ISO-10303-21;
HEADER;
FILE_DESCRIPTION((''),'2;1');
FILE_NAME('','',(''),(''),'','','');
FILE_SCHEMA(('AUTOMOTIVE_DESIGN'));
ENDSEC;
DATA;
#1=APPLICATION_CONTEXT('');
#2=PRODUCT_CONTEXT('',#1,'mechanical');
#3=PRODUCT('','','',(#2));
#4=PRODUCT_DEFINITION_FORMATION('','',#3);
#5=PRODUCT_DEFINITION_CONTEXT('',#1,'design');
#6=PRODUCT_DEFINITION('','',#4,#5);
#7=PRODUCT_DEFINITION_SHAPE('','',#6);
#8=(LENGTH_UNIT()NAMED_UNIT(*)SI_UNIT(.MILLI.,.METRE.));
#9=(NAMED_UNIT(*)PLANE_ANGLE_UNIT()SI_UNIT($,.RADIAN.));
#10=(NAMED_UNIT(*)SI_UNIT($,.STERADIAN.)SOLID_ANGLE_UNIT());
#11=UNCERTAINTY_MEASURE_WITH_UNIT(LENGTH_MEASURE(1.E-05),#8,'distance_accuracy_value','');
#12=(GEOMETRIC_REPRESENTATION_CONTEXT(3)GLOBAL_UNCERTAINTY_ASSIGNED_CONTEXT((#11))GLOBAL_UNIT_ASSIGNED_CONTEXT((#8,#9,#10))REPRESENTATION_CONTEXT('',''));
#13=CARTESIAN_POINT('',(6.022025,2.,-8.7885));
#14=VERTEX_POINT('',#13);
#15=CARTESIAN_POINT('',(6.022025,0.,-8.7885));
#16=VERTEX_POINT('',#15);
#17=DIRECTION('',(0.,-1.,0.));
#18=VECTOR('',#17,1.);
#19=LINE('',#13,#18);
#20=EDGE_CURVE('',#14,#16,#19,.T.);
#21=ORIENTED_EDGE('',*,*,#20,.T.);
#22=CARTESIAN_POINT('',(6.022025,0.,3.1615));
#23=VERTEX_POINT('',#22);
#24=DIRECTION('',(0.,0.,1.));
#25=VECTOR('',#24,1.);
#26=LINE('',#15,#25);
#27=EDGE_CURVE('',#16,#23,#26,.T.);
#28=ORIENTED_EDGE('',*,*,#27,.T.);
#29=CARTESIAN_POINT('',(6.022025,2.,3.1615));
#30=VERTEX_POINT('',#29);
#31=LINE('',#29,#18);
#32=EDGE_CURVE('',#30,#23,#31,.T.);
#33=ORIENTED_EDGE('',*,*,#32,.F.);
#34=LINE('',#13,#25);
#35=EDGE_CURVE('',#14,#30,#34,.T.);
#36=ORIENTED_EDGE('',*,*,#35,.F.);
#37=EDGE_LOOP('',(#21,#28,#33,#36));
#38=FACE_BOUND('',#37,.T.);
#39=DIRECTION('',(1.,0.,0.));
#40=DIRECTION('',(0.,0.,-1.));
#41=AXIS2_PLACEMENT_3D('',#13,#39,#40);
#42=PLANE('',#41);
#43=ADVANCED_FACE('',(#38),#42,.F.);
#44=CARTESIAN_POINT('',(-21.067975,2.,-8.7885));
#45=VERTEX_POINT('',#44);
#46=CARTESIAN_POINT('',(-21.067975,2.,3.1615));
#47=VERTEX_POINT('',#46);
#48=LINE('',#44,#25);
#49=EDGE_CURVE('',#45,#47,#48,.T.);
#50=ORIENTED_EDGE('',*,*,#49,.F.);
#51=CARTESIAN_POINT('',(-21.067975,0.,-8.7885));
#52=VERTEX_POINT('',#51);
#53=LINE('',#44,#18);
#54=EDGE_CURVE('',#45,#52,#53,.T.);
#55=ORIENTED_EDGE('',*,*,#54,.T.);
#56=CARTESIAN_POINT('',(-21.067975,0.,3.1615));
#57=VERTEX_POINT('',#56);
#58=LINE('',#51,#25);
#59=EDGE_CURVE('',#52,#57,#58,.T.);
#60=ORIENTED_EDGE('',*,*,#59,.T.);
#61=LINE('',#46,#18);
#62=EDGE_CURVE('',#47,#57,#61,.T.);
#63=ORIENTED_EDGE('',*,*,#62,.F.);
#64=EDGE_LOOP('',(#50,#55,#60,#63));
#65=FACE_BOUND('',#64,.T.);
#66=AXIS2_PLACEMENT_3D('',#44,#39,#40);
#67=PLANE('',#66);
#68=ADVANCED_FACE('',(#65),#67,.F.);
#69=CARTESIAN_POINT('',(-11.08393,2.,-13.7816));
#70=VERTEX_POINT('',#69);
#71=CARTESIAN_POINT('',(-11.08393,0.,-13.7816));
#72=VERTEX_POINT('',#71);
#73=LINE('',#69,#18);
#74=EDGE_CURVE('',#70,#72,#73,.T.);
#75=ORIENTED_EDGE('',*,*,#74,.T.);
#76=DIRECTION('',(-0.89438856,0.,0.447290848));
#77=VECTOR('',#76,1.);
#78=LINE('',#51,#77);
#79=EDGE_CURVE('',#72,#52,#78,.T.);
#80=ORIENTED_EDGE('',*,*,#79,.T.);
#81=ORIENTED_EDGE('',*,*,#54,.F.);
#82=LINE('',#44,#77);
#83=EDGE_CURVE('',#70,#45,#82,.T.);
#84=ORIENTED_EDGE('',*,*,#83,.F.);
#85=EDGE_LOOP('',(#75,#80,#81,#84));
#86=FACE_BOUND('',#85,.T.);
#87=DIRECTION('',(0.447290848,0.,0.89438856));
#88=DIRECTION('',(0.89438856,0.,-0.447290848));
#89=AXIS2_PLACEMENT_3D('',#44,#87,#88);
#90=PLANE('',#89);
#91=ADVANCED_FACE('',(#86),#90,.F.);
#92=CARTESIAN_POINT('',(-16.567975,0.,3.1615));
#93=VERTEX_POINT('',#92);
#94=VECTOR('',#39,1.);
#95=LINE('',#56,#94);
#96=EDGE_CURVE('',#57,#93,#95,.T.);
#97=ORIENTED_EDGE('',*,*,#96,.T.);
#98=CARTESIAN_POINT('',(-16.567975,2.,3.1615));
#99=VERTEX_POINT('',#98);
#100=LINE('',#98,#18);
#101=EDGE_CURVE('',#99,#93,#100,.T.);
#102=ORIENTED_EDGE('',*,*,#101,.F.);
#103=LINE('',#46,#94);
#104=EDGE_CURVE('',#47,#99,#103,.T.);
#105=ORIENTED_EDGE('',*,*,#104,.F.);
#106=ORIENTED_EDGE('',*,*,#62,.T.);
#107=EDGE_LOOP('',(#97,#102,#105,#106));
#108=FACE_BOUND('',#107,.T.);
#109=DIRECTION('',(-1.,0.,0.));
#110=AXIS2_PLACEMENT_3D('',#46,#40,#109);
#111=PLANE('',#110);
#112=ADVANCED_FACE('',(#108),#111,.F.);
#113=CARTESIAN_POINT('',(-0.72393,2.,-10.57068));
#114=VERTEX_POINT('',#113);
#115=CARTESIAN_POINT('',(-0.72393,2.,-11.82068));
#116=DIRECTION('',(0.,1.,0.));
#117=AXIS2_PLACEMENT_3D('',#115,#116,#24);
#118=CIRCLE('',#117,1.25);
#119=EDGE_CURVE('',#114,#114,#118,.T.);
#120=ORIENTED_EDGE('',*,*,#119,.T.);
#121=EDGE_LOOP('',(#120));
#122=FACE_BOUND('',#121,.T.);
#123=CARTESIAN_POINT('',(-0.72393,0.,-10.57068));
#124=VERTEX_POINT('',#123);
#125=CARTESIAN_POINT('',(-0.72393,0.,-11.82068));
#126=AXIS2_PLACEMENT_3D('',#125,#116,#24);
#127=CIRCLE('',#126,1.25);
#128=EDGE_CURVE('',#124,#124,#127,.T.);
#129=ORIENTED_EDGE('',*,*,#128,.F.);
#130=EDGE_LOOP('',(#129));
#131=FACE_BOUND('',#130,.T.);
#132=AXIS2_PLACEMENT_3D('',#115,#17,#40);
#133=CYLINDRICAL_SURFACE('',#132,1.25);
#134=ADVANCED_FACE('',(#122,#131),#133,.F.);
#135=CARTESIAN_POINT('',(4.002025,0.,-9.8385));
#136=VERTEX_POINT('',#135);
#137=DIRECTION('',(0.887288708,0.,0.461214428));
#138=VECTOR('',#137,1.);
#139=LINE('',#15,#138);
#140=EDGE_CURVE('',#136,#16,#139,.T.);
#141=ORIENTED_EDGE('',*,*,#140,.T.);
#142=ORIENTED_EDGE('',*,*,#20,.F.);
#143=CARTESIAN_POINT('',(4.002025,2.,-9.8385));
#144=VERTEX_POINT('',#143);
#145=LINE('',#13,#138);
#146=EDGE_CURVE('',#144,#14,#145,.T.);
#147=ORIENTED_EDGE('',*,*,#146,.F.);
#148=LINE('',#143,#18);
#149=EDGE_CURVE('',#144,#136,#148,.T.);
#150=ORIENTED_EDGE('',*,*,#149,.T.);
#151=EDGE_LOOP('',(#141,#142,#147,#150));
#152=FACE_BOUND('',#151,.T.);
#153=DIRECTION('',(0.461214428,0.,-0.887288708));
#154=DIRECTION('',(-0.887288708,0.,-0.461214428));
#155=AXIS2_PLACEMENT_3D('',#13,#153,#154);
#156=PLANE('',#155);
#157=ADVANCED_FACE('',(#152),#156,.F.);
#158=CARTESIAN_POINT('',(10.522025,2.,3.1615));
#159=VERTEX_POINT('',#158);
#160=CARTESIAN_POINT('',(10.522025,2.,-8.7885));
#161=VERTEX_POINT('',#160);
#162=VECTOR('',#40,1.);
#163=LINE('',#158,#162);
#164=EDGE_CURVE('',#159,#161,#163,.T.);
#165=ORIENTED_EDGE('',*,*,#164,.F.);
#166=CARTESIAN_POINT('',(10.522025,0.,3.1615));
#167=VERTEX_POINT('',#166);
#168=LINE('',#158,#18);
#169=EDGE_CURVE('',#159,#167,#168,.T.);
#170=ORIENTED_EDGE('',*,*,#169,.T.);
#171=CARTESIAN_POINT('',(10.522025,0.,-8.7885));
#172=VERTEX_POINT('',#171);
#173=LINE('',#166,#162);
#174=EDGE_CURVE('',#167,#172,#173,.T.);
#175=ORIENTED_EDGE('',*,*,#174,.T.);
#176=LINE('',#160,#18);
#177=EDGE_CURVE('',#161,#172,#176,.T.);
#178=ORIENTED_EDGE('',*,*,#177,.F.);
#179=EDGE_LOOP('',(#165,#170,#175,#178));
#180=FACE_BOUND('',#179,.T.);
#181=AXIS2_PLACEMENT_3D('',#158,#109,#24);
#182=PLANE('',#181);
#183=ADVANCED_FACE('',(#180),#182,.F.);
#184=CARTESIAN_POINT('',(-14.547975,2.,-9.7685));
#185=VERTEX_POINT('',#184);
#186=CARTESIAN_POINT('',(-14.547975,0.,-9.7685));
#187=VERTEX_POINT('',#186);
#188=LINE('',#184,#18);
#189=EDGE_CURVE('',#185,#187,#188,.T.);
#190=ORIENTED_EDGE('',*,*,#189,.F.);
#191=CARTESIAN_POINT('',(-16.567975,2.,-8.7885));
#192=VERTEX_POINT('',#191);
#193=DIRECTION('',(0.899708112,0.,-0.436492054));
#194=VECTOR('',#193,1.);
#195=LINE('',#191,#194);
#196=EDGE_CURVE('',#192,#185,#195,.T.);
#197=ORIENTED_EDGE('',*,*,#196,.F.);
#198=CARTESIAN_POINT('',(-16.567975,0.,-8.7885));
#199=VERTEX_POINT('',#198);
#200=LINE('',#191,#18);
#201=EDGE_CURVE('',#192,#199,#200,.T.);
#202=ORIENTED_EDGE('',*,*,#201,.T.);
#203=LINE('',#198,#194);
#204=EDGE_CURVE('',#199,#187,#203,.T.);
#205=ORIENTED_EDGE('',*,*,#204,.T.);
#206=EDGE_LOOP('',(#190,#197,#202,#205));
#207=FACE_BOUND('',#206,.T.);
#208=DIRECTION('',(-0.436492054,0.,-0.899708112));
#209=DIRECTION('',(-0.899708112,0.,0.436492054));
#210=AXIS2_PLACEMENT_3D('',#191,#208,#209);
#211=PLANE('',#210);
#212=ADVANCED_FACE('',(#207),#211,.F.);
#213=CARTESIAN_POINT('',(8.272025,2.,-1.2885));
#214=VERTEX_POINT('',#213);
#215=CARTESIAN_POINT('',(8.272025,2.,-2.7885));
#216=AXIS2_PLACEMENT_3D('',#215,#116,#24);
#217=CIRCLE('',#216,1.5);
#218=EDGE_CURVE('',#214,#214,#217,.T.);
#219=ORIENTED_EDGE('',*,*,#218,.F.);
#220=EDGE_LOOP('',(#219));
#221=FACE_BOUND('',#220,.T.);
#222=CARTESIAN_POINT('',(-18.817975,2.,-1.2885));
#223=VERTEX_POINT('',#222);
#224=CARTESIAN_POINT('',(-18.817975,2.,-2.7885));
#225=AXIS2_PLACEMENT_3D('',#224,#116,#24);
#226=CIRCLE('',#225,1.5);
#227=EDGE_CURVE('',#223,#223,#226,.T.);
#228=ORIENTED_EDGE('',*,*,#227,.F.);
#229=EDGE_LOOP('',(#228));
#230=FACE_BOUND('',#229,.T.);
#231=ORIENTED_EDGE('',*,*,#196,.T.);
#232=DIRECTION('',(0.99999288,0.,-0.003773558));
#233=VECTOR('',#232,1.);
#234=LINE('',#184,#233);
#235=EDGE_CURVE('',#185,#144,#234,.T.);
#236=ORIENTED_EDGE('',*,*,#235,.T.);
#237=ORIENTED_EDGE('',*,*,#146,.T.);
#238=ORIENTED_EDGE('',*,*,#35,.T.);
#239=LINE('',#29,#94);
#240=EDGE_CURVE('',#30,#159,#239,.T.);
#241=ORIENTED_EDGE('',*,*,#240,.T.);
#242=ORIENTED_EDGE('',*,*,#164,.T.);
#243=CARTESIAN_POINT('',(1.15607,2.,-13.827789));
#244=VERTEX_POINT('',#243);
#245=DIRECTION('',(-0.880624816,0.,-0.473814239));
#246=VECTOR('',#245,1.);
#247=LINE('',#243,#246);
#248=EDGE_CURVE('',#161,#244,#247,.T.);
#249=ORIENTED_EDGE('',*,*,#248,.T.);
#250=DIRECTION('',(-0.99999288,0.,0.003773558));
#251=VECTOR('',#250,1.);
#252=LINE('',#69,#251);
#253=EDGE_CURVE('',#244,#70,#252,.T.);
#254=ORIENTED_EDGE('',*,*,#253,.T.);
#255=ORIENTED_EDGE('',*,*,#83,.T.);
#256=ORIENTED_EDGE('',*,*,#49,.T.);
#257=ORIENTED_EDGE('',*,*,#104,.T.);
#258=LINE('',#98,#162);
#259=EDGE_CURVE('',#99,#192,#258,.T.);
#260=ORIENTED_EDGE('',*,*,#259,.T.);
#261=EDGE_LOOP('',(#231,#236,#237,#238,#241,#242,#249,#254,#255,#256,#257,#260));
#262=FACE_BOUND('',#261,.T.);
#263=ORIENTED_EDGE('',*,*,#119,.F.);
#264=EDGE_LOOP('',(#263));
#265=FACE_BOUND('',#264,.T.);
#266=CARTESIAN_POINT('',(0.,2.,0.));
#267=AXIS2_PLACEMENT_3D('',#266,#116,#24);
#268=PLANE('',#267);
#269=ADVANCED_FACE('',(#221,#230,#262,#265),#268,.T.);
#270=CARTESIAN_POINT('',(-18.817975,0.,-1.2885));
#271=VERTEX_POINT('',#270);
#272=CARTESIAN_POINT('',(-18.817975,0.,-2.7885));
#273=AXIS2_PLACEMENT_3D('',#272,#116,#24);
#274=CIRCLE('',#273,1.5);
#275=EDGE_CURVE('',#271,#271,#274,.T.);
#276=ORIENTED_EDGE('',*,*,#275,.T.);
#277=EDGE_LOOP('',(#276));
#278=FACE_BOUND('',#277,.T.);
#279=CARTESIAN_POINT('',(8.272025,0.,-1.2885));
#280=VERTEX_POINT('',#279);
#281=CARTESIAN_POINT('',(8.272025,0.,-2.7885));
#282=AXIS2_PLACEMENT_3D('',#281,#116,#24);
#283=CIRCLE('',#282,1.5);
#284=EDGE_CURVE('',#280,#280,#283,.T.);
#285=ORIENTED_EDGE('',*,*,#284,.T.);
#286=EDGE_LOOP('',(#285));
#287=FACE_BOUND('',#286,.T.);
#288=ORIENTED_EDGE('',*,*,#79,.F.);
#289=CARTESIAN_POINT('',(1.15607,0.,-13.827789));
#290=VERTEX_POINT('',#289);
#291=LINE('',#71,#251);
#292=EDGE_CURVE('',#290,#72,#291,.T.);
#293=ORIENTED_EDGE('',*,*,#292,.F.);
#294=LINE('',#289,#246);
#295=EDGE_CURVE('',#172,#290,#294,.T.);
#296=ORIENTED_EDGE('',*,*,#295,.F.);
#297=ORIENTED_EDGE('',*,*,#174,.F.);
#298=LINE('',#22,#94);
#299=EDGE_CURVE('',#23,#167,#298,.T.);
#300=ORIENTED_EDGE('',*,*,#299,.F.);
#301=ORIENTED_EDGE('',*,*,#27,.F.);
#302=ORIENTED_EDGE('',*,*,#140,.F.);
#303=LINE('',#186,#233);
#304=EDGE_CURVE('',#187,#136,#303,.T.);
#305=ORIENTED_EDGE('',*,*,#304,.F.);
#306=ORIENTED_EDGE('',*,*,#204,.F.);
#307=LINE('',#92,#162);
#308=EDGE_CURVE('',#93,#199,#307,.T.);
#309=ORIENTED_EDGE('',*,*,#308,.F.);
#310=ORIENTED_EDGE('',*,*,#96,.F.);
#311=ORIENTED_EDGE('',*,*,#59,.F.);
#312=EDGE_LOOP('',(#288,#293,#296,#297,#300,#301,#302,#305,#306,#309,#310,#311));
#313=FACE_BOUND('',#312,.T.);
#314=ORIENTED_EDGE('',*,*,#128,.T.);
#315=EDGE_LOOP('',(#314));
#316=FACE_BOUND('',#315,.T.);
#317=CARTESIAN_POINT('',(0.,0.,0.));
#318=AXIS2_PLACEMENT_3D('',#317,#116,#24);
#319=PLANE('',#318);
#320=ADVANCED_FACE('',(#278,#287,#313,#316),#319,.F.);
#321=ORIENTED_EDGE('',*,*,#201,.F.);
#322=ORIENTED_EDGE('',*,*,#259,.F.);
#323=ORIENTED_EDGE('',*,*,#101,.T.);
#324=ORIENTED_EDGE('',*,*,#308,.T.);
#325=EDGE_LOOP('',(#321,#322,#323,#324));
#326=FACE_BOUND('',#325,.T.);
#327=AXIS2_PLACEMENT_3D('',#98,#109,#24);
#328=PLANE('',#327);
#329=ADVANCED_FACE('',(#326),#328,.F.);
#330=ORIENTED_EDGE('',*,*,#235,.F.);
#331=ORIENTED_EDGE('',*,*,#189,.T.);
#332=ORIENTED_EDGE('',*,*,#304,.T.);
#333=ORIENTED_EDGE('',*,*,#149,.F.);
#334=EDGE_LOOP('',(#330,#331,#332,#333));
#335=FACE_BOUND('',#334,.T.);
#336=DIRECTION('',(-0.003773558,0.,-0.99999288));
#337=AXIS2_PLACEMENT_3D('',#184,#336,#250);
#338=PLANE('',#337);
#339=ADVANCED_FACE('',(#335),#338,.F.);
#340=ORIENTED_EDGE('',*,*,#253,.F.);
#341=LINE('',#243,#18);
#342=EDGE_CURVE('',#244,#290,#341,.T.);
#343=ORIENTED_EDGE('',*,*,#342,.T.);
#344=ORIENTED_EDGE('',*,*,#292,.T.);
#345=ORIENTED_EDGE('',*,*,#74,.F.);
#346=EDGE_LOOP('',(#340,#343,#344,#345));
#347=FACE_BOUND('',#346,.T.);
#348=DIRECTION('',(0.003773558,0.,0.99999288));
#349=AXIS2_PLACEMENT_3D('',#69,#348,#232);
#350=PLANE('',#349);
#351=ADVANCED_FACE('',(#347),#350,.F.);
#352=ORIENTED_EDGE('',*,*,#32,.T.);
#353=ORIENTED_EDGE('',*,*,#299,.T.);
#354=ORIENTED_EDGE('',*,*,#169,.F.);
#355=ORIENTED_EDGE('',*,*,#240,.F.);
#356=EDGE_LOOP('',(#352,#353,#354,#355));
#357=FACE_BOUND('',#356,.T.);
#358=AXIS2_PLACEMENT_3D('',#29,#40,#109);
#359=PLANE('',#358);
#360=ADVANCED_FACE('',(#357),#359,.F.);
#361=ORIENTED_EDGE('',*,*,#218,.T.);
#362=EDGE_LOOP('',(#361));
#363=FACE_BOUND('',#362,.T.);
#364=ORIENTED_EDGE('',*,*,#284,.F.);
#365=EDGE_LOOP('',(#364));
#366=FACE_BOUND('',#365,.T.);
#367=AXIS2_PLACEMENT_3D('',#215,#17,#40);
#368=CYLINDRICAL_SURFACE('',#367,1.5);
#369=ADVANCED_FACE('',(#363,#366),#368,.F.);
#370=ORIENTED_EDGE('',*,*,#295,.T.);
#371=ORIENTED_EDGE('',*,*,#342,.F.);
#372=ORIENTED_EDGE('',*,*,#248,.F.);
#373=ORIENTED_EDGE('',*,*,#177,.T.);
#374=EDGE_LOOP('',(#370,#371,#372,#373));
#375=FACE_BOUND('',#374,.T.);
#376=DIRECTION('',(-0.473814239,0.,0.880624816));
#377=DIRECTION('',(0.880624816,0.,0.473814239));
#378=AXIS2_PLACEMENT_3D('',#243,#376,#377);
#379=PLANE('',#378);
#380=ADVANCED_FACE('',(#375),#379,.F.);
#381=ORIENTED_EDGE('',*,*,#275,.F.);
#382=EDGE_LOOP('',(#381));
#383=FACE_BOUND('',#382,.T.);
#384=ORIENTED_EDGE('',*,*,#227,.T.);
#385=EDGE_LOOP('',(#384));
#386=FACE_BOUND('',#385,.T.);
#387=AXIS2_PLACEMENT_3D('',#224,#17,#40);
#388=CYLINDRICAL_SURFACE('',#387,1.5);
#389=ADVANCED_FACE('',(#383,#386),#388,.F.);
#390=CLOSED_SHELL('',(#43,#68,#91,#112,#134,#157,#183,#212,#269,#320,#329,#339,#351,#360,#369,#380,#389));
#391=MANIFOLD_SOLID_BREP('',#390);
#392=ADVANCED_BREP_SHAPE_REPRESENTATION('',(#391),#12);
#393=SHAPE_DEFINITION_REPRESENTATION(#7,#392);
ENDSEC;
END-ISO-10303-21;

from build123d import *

# Parameters (mm, degrees)
SKETCH1_R           = 1.5
SKETCH1_R_2         = 1.25
BOSS_EXTRUDE1_DEPTH = 2


with BuildPart() as part:
    # Sketch1 → Boss-Extrude1 (new body)
    with BuildSketch(Plane(origin=(0, 0, 0), x_dir=(1, 0, 0), z_dir=(0, 1, 0))):
        Polygon((-21.067974578, -3.1615), (-16.567974578, -3.1615), (-16.567974578, 8.7885), (-14.547974578, 9.7685), (4.002025422, 9.8385), (6.022025422, 8.7885), (6.022025422, -3.1615), (10.522025422, -3.1615), (10.522025422, 8.7885), (1.156070136, 13.827789026), (-11.083929864, 13.781600347), (-21.067974578, 8.7885), align=None)
        with Locations(Location((-18.817974578, 2.7885, 0), (0, 0, 270))):
            Circle(SKETCH1_R, mode=Mode.SUBTRACT)
        with Locations(Location((8.272025422, 2.7885, 0), (0, 0, 270))):
            Circle(SKETCH1_R, mode=Mode.SUBTRACT)
        with Locations(Location((-0.723929864, 11.820680446, 0), (0, 0, 270))):
            Circle(SKETCH1_R_2, mode=Mode.SUBTRACT)
    extrude(amount=BOSS_EXTRUDE1_DEPTH)


solid = part.part
